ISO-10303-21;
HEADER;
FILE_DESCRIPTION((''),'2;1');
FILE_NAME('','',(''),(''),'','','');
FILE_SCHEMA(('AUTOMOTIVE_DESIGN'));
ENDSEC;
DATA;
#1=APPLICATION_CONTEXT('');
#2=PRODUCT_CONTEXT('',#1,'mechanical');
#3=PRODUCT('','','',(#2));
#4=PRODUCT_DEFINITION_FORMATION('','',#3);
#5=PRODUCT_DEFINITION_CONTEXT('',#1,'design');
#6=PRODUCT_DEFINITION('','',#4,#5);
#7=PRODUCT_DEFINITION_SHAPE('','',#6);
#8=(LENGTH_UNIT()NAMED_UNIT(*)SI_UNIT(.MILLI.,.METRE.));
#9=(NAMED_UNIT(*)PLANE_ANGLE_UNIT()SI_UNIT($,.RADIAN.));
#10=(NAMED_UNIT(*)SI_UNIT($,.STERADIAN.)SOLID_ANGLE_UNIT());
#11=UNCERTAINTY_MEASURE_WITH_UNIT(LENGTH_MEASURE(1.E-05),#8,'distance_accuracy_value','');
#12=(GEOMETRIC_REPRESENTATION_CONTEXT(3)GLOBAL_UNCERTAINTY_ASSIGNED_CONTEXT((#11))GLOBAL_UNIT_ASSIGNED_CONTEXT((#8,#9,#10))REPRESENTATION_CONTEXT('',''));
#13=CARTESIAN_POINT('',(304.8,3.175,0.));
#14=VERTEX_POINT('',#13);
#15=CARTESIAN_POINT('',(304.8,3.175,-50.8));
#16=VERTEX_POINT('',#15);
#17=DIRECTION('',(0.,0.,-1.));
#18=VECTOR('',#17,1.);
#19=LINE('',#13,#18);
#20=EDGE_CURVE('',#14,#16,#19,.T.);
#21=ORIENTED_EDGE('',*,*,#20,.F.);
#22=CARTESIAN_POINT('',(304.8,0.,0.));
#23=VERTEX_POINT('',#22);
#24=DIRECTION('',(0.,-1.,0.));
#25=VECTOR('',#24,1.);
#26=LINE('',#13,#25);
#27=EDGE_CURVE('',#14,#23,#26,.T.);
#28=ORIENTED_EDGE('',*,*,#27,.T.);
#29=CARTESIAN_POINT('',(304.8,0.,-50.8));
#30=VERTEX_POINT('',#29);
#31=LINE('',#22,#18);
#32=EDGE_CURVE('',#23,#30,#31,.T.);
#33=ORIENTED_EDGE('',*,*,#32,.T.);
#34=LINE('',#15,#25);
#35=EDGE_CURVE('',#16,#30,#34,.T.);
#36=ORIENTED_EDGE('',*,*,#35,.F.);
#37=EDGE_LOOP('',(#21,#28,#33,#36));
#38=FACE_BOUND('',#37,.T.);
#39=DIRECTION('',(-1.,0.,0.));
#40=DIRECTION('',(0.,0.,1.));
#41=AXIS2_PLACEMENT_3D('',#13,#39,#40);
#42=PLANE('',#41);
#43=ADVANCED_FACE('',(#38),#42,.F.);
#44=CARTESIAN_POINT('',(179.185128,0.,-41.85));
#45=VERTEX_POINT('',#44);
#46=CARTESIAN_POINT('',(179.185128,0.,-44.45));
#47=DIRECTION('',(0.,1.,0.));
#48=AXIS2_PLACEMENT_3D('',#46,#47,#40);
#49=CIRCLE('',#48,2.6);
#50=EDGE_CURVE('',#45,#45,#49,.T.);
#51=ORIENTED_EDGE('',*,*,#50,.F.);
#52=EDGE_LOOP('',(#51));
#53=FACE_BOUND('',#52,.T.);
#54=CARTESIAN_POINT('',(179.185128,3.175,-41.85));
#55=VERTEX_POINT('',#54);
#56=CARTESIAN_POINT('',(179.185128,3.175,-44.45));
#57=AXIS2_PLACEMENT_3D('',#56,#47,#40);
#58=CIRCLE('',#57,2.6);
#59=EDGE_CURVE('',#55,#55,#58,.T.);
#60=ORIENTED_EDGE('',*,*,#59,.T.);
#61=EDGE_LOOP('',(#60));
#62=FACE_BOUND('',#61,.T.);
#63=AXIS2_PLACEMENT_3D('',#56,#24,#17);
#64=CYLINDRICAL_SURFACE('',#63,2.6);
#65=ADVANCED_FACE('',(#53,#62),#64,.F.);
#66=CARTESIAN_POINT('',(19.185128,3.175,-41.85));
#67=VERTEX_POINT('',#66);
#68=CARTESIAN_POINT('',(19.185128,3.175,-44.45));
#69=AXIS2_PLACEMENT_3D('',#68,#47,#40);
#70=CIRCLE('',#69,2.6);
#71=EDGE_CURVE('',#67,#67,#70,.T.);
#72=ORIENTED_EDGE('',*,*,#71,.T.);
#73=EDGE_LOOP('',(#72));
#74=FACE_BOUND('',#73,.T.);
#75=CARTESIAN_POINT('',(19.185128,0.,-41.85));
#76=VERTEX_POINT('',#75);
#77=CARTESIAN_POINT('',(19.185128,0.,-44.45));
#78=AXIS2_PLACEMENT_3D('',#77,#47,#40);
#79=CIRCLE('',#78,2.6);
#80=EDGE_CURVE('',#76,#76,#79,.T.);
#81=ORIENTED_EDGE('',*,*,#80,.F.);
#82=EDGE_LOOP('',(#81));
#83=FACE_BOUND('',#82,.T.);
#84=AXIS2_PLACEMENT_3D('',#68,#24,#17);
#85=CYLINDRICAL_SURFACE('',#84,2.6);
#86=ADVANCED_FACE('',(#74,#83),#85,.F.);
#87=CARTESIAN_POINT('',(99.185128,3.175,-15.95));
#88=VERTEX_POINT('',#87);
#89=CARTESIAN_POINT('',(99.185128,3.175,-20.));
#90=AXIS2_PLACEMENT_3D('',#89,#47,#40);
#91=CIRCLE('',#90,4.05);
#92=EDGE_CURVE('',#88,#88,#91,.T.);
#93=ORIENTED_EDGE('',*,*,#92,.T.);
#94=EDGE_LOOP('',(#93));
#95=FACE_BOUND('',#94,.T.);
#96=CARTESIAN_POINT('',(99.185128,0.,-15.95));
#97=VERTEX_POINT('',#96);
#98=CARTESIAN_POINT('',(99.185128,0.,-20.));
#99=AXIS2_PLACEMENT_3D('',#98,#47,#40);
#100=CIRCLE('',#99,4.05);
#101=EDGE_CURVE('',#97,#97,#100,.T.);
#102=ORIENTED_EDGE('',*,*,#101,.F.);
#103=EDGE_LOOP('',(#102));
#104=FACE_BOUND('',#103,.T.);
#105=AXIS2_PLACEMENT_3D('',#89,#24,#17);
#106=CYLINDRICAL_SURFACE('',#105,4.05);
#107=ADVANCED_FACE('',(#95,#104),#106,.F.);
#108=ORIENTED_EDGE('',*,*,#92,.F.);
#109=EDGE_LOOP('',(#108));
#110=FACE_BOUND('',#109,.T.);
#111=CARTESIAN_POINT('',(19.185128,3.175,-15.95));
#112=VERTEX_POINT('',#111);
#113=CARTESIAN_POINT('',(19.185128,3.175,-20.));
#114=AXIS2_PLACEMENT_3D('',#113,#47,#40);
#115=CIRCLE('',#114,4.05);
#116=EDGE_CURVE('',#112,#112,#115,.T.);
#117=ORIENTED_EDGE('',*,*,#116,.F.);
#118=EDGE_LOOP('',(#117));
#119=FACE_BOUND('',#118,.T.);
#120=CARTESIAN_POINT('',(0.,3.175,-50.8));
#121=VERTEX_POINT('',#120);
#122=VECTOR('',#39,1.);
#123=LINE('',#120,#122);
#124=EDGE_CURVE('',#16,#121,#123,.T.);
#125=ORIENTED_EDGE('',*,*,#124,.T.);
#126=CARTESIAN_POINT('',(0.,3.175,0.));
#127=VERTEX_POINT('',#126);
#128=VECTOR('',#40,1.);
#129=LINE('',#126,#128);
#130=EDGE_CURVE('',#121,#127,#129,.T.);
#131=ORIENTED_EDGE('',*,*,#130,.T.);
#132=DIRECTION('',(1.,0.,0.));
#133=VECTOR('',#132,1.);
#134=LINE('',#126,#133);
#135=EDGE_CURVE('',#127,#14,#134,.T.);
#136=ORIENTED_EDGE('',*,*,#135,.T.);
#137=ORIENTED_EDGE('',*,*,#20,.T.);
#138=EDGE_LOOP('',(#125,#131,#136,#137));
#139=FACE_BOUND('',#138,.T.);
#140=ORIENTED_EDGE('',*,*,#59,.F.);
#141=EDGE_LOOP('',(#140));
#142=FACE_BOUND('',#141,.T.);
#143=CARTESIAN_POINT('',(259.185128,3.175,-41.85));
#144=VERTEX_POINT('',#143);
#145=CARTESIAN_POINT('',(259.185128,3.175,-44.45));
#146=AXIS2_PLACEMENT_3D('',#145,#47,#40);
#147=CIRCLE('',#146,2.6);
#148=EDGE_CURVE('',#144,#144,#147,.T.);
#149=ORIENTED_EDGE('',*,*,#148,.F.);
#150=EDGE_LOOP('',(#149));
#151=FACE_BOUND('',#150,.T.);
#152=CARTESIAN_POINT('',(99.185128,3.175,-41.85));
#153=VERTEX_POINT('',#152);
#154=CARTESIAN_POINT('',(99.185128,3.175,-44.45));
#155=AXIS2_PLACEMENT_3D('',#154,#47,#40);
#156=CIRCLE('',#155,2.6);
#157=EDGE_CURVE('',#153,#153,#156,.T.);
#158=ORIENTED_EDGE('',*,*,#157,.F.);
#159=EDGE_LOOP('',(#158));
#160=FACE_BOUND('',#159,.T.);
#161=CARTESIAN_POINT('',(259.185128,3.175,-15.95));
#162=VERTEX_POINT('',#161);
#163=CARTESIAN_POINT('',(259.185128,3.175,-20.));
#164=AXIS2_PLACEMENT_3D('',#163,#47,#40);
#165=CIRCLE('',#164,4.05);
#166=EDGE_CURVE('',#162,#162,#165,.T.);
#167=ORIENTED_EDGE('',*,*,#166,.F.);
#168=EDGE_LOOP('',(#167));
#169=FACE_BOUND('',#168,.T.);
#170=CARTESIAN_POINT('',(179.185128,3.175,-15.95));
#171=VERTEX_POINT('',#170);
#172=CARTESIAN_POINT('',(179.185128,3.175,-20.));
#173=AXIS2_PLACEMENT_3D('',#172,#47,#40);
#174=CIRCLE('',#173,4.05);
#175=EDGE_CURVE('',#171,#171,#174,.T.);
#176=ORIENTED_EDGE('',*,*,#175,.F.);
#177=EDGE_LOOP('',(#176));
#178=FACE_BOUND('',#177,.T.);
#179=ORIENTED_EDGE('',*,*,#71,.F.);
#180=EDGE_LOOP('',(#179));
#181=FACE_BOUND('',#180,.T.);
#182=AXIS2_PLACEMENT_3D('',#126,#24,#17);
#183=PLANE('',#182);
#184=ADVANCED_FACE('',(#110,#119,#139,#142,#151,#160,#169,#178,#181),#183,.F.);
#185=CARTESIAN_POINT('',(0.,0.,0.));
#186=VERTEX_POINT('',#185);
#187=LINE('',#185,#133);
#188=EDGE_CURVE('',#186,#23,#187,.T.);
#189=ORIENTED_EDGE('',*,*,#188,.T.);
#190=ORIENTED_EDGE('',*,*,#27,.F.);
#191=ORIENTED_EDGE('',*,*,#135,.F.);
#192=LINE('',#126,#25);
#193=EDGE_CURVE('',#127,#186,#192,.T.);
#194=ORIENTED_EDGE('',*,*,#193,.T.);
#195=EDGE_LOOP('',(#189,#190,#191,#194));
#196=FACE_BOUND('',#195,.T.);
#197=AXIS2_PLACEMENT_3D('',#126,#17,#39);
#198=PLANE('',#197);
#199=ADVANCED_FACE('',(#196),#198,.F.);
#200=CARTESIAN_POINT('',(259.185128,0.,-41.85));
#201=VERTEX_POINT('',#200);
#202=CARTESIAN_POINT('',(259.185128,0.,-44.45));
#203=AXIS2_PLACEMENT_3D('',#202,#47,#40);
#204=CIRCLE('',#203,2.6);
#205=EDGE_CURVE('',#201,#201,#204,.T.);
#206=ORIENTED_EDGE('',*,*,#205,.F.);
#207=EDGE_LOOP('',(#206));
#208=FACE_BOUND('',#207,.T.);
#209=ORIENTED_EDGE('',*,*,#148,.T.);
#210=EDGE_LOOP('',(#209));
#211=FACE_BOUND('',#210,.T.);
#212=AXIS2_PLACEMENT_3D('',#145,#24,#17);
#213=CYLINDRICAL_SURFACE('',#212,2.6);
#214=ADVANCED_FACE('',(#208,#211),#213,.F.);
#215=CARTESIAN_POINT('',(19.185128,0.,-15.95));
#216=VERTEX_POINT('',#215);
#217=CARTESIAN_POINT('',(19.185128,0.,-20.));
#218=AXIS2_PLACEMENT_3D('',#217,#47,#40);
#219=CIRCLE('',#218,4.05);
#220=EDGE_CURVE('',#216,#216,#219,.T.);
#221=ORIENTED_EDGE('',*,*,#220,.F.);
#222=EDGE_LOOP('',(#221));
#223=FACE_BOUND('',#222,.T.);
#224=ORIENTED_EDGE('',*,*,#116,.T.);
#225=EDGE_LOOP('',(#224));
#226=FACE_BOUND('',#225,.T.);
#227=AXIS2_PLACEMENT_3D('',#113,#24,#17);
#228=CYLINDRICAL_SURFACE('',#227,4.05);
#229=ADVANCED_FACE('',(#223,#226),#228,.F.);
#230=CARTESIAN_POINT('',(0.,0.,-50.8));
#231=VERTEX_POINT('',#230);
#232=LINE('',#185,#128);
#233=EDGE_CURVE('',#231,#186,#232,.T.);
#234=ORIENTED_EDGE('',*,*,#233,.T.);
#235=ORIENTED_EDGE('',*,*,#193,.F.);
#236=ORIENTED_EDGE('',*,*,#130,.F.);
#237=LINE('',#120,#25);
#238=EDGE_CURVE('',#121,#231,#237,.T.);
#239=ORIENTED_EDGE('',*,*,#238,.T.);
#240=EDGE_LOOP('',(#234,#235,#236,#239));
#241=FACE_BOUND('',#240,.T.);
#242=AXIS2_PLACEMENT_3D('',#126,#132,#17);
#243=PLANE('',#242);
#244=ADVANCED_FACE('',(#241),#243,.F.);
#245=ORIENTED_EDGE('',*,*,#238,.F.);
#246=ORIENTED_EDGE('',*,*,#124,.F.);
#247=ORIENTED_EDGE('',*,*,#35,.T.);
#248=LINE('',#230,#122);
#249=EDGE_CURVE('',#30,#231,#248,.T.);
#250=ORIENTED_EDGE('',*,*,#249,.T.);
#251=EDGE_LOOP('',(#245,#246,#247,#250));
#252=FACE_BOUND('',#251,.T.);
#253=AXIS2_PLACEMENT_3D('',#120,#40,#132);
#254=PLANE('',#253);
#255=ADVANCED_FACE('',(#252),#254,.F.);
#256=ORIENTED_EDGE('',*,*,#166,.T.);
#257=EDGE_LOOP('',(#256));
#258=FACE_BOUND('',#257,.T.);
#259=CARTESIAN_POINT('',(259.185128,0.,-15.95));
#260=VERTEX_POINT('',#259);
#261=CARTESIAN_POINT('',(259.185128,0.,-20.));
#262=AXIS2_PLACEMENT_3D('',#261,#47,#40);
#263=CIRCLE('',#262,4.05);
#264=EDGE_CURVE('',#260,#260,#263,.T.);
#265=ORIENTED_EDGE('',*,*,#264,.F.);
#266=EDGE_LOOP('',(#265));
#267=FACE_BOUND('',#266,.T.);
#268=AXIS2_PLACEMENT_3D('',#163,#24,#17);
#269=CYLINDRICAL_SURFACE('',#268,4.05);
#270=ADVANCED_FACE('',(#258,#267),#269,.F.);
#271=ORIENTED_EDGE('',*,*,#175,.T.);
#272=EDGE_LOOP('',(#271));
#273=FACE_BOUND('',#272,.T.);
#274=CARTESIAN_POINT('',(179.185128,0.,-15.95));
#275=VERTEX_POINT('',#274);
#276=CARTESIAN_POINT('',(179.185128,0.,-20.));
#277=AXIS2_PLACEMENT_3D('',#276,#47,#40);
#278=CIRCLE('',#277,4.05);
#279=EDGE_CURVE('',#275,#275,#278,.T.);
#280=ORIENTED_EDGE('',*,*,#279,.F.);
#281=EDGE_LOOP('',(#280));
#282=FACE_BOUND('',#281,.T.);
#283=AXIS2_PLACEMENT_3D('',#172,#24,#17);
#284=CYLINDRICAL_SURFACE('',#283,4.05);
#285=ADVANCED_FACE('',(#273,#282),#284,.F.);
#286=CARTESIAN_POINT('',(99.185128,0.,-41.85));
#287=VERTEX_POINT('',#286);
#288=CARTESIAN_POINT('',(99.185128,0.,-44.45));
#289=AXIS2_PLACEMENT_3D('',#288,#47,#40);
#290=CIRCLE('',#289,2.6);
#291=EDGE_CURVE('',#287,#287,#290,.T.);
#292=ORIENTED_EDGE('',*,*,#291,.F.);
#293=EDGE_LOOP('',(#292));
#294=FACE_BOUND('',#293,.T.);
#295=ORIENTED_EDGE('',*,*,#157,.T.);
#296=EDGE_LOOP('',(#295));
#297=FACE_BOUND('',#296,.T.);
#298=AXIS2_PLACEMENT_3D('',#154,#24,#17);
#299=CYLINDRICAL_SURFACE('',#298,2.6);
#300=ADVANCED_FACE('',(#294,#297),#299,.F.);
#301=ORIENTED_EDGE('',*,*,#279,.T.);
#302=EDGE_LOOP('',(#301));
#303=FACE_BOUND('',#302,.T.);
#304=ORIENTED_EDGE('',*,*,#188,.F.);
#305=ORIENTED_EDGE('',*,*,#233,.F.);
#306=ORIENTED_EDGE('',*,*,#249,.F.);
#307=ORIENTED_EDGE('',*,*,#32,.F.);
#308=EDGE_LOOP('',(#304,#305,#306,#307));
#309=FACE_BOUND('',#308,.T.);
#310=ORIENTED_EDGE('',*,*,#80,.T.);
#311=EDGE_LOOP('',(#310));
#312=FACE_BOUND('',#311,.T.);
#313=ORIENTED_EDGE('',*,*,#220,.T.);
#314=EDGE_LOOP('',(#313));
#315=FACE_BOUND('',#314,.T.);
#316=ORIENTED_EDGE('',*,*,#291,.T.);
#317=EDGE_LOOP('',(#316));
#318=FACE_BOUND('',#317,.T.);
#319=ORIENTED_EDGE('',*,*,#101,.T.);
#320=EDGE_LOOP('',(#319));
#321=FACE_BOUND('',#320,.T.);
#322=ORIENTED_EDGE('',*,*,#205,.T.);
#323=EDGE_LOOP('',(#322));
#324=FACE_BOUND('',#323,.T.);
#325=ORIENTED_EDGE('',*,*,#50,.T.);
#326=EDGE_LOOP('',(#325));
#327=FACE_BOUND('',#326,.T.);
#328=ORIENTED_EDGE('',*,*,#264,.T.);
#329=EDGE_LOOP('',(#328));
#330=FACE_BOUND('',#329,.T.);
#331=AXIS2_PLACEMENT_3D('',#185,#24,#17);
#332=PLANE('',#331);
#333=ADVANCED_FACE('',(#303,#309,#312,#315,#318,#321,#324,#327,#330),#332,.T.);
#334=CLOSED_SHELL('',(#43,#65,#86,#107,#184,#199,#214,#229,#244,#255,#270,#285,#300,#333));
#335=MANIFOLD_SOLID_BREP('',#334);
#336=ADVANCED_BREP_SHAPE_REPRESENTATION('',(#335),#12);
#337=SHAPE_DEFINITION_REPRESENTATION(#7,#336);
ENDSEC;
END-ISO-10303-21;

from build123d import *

# Parameters (mm, degrees)
SKETCH1_W           = 304.8
SKETCH1_H           = 50.8
SKETCH1_R           = 2.6
SKETCH1_R_2         = 4.05
BOSS_EXTRUDE1_DEPTH = 3.175


with BuildPart() as part:
    # Sketch1 → Boss-Extrude1 (new body)
    with BuildSketch(Plane(origin=(0, 0, 0), x_dir=(1, 0, 0), z_dir=(0, 1, 0))):
        with Locations((152.4, 25.4)):
            Rectangle(SKETCH1_W, SKETCH1_H)
        with Locations(Location((19.185127899, 44.45, 0), (0, 0, 270))):
            Circle(SKETCH1_R, mode=Mode.SUBTRACT)
        with Locations(Location((19.185127899, 20, 0), (0, 0, 270))):
            Circle(SKETCH1_R_2, mode=Mode.SUBTRACT)
        with Locations(Location((99.185127899, 20, 0), (0, 0, 270))):
            Circle(SKETCH1_R_2, mode=Mode.SUBTRACT)
        with Locations(Location((99.185127899, 44.45, 0), (0, 0, 270))):
            Circle(SKETCH1_R, mode=Mode.SUBTRACT)
        with Locations(Location((179.185127899, 20, 0), (0, 0, 270))):
            Circle(SKETCH1_R_2, mode=Mode.SUBTRACT)
        with Locations(Location((179.185127899, 44.45, 0), (0, 0, 270))):
            Circle(SKETCH1_R, mode=Mode.SUBTRACT)
        with Locations(Location((259.185127899, 20, 0), (0, 0, 270))):
            Circle(SKETCH1_R_2, mode=Mode.SUBTRACT)
        with Locations(Location((259.185127899, 44.45, 0), (0, 0, 270))):
            Circle(SKETCH1_R, mode=Mode.SUBTRACT)
    extrude(amount=BOSS_EXTRUDE1_DEPTH)


solid = part.part
